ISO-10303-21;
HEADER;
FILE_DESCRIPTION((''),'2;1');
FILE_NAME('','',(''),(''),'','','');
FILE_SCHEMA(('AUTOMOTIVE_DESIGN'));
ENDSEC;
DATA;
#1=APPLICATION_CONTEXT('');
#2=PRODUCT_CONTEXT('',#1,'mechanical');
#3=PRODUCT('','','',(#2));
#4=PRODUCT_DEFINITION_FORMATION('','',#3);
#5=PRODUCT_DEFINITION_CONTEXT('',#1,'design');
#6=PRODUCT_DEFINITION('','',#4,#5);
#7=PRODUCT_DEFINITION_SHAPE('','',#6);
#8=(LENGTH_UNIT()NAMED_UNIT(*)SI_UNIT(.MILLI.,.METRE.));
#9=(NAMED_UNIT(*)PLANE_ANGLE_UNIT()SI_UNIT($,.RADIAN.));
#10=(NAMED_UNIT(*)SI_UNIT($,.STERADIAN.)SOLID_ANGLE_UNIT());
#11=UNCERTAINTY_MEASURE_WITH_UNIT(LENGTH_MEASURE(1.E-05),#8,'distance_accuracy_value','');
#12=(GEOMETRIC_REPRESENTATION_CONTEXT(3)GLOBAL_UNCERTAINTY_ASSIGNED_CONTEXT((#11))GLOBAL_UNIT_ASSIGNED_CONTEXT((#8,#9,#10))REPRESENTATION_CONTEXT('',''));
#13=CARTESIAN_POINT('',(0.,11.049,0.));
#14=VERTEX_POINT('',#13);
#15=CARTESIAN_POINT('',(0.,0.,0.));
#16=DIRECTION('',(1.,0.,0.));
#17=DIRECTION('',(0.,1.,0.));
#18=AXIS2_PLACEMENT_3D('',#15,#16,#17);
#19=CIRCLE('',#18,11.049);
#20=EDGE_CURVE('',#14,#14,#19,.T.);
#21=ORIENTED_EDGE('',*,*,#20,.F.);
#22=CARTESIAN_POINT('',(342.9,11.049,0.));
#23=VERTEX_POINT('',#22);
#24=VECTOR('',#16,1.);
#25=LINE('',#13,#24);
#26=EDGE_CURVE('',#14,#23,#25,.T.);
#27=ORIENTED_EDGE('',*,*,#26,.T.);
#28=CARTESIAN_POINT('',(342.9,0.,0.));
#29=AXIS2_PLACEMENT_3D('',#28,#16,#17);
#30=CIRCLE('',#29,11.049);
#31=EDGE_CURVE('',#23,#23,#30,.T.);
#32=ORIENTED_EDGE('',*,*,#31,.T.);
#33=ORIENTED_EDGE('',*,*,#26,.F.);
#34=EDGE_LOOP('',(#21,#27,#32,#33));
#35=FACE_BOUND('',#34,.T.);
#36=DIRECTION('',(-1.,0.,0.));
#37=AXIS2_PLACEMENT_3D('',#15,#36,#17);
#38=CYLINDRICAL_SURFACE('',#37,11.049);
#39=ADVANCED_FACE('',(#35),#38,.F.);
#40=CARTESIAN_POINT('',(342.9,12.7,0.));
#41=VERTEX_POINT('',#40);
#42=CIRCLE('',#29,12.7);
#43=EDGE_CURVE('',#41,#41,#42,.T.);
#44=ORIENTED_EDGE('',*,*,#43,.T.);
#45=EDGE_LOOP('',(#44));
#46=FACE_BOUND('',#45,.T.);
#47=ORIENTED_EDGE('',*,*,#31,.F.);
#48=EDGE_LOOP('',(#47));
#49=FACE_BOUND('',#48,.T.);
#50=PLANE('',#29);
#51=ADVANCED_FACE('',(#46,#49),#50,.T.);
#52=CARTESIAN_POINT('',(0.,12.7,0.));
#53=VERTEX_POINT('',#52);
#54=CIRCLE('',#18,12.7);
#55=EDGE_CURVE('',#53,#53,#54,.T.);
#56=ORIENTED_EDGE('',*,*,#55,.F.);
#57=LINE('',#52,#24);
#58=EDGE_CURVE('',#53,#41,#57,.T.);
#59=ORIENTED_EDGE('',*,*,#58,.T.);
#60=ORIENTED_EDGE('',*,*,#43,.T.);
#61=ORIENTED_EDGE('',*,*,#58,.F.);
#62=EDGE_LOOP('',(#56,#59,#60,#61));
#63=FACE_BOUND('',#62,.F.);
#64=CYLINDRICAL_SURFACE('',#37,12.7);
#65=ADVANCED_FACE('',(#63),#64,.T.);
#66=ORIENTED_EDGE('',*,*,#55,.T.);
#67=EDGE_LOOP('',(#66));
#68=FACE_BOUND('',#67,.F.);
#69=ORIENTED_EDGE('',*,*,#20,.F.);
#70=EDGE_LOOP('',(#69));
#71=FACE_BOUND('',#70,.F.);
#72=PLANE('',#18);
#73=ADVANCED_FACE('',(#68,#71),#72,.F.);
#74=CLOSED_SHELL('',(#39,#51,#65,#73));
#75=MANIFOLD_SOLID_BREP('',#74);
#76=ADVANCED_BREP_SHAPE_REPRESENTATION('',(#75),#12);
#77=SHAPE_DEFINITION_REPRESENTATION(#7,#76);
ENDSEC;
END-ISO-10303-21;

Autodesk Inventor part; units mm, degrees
ref_plane "XZ Plane" through (0, 0, 0) normal (0, 1, 0) x (-1, 0, 0)
ref_plane "Start Plane" through (0, 0, 0) normal (1, 0, 0) x (0, 1, 0)
ref_plane "End Plane" through (342.9, 0, 0) normal (1, 0, 0) x (0, 1, 0)
sketch "Sketch" plane through (0, 0, 0) normal (1, 0, 0) x (0, 1, 0)
  circle A0 centre (0, 0) radius 12.7
  circle A1 centre (0, 0) radius 11.049
  dimension "d0" = 25.4
  dimension "d1" = 1.651
extrude "Body" add sketch "Sketch" along normal up to surface (342.9 mm away) from surface at 0
sketch "Sketch2" plane through (0, 0, 0) normal (1, 0, 0) x (0, 1, 0)
  line L0 (0, 0) -> (10, 0)
ref_plane "Work Plane3" through (0, 0, 0) normal (0, 0, -1) x (0, 1, 0)
sketch "Sketch3" plane through (0, 0, 0) normal (0, 0, -1) x (0, 1, 0)
  line L0 (-2, 0) -> (12, 0)
  line L1 (-2, 342.9) -> (12, 342.9)
  dimension "d9" = 342.9
equation "\"G_OFFSET_START\" = 0"
equation "\"G_OFFSET_END\" = 0"
equation "\"d5\" = d2 + G_OFFSET_END"
equation "\"G_L\" = d9"
equation "\"d2\" = 342.9"
properties part number "4130_1x0.065" material "Steel, Alloy"
